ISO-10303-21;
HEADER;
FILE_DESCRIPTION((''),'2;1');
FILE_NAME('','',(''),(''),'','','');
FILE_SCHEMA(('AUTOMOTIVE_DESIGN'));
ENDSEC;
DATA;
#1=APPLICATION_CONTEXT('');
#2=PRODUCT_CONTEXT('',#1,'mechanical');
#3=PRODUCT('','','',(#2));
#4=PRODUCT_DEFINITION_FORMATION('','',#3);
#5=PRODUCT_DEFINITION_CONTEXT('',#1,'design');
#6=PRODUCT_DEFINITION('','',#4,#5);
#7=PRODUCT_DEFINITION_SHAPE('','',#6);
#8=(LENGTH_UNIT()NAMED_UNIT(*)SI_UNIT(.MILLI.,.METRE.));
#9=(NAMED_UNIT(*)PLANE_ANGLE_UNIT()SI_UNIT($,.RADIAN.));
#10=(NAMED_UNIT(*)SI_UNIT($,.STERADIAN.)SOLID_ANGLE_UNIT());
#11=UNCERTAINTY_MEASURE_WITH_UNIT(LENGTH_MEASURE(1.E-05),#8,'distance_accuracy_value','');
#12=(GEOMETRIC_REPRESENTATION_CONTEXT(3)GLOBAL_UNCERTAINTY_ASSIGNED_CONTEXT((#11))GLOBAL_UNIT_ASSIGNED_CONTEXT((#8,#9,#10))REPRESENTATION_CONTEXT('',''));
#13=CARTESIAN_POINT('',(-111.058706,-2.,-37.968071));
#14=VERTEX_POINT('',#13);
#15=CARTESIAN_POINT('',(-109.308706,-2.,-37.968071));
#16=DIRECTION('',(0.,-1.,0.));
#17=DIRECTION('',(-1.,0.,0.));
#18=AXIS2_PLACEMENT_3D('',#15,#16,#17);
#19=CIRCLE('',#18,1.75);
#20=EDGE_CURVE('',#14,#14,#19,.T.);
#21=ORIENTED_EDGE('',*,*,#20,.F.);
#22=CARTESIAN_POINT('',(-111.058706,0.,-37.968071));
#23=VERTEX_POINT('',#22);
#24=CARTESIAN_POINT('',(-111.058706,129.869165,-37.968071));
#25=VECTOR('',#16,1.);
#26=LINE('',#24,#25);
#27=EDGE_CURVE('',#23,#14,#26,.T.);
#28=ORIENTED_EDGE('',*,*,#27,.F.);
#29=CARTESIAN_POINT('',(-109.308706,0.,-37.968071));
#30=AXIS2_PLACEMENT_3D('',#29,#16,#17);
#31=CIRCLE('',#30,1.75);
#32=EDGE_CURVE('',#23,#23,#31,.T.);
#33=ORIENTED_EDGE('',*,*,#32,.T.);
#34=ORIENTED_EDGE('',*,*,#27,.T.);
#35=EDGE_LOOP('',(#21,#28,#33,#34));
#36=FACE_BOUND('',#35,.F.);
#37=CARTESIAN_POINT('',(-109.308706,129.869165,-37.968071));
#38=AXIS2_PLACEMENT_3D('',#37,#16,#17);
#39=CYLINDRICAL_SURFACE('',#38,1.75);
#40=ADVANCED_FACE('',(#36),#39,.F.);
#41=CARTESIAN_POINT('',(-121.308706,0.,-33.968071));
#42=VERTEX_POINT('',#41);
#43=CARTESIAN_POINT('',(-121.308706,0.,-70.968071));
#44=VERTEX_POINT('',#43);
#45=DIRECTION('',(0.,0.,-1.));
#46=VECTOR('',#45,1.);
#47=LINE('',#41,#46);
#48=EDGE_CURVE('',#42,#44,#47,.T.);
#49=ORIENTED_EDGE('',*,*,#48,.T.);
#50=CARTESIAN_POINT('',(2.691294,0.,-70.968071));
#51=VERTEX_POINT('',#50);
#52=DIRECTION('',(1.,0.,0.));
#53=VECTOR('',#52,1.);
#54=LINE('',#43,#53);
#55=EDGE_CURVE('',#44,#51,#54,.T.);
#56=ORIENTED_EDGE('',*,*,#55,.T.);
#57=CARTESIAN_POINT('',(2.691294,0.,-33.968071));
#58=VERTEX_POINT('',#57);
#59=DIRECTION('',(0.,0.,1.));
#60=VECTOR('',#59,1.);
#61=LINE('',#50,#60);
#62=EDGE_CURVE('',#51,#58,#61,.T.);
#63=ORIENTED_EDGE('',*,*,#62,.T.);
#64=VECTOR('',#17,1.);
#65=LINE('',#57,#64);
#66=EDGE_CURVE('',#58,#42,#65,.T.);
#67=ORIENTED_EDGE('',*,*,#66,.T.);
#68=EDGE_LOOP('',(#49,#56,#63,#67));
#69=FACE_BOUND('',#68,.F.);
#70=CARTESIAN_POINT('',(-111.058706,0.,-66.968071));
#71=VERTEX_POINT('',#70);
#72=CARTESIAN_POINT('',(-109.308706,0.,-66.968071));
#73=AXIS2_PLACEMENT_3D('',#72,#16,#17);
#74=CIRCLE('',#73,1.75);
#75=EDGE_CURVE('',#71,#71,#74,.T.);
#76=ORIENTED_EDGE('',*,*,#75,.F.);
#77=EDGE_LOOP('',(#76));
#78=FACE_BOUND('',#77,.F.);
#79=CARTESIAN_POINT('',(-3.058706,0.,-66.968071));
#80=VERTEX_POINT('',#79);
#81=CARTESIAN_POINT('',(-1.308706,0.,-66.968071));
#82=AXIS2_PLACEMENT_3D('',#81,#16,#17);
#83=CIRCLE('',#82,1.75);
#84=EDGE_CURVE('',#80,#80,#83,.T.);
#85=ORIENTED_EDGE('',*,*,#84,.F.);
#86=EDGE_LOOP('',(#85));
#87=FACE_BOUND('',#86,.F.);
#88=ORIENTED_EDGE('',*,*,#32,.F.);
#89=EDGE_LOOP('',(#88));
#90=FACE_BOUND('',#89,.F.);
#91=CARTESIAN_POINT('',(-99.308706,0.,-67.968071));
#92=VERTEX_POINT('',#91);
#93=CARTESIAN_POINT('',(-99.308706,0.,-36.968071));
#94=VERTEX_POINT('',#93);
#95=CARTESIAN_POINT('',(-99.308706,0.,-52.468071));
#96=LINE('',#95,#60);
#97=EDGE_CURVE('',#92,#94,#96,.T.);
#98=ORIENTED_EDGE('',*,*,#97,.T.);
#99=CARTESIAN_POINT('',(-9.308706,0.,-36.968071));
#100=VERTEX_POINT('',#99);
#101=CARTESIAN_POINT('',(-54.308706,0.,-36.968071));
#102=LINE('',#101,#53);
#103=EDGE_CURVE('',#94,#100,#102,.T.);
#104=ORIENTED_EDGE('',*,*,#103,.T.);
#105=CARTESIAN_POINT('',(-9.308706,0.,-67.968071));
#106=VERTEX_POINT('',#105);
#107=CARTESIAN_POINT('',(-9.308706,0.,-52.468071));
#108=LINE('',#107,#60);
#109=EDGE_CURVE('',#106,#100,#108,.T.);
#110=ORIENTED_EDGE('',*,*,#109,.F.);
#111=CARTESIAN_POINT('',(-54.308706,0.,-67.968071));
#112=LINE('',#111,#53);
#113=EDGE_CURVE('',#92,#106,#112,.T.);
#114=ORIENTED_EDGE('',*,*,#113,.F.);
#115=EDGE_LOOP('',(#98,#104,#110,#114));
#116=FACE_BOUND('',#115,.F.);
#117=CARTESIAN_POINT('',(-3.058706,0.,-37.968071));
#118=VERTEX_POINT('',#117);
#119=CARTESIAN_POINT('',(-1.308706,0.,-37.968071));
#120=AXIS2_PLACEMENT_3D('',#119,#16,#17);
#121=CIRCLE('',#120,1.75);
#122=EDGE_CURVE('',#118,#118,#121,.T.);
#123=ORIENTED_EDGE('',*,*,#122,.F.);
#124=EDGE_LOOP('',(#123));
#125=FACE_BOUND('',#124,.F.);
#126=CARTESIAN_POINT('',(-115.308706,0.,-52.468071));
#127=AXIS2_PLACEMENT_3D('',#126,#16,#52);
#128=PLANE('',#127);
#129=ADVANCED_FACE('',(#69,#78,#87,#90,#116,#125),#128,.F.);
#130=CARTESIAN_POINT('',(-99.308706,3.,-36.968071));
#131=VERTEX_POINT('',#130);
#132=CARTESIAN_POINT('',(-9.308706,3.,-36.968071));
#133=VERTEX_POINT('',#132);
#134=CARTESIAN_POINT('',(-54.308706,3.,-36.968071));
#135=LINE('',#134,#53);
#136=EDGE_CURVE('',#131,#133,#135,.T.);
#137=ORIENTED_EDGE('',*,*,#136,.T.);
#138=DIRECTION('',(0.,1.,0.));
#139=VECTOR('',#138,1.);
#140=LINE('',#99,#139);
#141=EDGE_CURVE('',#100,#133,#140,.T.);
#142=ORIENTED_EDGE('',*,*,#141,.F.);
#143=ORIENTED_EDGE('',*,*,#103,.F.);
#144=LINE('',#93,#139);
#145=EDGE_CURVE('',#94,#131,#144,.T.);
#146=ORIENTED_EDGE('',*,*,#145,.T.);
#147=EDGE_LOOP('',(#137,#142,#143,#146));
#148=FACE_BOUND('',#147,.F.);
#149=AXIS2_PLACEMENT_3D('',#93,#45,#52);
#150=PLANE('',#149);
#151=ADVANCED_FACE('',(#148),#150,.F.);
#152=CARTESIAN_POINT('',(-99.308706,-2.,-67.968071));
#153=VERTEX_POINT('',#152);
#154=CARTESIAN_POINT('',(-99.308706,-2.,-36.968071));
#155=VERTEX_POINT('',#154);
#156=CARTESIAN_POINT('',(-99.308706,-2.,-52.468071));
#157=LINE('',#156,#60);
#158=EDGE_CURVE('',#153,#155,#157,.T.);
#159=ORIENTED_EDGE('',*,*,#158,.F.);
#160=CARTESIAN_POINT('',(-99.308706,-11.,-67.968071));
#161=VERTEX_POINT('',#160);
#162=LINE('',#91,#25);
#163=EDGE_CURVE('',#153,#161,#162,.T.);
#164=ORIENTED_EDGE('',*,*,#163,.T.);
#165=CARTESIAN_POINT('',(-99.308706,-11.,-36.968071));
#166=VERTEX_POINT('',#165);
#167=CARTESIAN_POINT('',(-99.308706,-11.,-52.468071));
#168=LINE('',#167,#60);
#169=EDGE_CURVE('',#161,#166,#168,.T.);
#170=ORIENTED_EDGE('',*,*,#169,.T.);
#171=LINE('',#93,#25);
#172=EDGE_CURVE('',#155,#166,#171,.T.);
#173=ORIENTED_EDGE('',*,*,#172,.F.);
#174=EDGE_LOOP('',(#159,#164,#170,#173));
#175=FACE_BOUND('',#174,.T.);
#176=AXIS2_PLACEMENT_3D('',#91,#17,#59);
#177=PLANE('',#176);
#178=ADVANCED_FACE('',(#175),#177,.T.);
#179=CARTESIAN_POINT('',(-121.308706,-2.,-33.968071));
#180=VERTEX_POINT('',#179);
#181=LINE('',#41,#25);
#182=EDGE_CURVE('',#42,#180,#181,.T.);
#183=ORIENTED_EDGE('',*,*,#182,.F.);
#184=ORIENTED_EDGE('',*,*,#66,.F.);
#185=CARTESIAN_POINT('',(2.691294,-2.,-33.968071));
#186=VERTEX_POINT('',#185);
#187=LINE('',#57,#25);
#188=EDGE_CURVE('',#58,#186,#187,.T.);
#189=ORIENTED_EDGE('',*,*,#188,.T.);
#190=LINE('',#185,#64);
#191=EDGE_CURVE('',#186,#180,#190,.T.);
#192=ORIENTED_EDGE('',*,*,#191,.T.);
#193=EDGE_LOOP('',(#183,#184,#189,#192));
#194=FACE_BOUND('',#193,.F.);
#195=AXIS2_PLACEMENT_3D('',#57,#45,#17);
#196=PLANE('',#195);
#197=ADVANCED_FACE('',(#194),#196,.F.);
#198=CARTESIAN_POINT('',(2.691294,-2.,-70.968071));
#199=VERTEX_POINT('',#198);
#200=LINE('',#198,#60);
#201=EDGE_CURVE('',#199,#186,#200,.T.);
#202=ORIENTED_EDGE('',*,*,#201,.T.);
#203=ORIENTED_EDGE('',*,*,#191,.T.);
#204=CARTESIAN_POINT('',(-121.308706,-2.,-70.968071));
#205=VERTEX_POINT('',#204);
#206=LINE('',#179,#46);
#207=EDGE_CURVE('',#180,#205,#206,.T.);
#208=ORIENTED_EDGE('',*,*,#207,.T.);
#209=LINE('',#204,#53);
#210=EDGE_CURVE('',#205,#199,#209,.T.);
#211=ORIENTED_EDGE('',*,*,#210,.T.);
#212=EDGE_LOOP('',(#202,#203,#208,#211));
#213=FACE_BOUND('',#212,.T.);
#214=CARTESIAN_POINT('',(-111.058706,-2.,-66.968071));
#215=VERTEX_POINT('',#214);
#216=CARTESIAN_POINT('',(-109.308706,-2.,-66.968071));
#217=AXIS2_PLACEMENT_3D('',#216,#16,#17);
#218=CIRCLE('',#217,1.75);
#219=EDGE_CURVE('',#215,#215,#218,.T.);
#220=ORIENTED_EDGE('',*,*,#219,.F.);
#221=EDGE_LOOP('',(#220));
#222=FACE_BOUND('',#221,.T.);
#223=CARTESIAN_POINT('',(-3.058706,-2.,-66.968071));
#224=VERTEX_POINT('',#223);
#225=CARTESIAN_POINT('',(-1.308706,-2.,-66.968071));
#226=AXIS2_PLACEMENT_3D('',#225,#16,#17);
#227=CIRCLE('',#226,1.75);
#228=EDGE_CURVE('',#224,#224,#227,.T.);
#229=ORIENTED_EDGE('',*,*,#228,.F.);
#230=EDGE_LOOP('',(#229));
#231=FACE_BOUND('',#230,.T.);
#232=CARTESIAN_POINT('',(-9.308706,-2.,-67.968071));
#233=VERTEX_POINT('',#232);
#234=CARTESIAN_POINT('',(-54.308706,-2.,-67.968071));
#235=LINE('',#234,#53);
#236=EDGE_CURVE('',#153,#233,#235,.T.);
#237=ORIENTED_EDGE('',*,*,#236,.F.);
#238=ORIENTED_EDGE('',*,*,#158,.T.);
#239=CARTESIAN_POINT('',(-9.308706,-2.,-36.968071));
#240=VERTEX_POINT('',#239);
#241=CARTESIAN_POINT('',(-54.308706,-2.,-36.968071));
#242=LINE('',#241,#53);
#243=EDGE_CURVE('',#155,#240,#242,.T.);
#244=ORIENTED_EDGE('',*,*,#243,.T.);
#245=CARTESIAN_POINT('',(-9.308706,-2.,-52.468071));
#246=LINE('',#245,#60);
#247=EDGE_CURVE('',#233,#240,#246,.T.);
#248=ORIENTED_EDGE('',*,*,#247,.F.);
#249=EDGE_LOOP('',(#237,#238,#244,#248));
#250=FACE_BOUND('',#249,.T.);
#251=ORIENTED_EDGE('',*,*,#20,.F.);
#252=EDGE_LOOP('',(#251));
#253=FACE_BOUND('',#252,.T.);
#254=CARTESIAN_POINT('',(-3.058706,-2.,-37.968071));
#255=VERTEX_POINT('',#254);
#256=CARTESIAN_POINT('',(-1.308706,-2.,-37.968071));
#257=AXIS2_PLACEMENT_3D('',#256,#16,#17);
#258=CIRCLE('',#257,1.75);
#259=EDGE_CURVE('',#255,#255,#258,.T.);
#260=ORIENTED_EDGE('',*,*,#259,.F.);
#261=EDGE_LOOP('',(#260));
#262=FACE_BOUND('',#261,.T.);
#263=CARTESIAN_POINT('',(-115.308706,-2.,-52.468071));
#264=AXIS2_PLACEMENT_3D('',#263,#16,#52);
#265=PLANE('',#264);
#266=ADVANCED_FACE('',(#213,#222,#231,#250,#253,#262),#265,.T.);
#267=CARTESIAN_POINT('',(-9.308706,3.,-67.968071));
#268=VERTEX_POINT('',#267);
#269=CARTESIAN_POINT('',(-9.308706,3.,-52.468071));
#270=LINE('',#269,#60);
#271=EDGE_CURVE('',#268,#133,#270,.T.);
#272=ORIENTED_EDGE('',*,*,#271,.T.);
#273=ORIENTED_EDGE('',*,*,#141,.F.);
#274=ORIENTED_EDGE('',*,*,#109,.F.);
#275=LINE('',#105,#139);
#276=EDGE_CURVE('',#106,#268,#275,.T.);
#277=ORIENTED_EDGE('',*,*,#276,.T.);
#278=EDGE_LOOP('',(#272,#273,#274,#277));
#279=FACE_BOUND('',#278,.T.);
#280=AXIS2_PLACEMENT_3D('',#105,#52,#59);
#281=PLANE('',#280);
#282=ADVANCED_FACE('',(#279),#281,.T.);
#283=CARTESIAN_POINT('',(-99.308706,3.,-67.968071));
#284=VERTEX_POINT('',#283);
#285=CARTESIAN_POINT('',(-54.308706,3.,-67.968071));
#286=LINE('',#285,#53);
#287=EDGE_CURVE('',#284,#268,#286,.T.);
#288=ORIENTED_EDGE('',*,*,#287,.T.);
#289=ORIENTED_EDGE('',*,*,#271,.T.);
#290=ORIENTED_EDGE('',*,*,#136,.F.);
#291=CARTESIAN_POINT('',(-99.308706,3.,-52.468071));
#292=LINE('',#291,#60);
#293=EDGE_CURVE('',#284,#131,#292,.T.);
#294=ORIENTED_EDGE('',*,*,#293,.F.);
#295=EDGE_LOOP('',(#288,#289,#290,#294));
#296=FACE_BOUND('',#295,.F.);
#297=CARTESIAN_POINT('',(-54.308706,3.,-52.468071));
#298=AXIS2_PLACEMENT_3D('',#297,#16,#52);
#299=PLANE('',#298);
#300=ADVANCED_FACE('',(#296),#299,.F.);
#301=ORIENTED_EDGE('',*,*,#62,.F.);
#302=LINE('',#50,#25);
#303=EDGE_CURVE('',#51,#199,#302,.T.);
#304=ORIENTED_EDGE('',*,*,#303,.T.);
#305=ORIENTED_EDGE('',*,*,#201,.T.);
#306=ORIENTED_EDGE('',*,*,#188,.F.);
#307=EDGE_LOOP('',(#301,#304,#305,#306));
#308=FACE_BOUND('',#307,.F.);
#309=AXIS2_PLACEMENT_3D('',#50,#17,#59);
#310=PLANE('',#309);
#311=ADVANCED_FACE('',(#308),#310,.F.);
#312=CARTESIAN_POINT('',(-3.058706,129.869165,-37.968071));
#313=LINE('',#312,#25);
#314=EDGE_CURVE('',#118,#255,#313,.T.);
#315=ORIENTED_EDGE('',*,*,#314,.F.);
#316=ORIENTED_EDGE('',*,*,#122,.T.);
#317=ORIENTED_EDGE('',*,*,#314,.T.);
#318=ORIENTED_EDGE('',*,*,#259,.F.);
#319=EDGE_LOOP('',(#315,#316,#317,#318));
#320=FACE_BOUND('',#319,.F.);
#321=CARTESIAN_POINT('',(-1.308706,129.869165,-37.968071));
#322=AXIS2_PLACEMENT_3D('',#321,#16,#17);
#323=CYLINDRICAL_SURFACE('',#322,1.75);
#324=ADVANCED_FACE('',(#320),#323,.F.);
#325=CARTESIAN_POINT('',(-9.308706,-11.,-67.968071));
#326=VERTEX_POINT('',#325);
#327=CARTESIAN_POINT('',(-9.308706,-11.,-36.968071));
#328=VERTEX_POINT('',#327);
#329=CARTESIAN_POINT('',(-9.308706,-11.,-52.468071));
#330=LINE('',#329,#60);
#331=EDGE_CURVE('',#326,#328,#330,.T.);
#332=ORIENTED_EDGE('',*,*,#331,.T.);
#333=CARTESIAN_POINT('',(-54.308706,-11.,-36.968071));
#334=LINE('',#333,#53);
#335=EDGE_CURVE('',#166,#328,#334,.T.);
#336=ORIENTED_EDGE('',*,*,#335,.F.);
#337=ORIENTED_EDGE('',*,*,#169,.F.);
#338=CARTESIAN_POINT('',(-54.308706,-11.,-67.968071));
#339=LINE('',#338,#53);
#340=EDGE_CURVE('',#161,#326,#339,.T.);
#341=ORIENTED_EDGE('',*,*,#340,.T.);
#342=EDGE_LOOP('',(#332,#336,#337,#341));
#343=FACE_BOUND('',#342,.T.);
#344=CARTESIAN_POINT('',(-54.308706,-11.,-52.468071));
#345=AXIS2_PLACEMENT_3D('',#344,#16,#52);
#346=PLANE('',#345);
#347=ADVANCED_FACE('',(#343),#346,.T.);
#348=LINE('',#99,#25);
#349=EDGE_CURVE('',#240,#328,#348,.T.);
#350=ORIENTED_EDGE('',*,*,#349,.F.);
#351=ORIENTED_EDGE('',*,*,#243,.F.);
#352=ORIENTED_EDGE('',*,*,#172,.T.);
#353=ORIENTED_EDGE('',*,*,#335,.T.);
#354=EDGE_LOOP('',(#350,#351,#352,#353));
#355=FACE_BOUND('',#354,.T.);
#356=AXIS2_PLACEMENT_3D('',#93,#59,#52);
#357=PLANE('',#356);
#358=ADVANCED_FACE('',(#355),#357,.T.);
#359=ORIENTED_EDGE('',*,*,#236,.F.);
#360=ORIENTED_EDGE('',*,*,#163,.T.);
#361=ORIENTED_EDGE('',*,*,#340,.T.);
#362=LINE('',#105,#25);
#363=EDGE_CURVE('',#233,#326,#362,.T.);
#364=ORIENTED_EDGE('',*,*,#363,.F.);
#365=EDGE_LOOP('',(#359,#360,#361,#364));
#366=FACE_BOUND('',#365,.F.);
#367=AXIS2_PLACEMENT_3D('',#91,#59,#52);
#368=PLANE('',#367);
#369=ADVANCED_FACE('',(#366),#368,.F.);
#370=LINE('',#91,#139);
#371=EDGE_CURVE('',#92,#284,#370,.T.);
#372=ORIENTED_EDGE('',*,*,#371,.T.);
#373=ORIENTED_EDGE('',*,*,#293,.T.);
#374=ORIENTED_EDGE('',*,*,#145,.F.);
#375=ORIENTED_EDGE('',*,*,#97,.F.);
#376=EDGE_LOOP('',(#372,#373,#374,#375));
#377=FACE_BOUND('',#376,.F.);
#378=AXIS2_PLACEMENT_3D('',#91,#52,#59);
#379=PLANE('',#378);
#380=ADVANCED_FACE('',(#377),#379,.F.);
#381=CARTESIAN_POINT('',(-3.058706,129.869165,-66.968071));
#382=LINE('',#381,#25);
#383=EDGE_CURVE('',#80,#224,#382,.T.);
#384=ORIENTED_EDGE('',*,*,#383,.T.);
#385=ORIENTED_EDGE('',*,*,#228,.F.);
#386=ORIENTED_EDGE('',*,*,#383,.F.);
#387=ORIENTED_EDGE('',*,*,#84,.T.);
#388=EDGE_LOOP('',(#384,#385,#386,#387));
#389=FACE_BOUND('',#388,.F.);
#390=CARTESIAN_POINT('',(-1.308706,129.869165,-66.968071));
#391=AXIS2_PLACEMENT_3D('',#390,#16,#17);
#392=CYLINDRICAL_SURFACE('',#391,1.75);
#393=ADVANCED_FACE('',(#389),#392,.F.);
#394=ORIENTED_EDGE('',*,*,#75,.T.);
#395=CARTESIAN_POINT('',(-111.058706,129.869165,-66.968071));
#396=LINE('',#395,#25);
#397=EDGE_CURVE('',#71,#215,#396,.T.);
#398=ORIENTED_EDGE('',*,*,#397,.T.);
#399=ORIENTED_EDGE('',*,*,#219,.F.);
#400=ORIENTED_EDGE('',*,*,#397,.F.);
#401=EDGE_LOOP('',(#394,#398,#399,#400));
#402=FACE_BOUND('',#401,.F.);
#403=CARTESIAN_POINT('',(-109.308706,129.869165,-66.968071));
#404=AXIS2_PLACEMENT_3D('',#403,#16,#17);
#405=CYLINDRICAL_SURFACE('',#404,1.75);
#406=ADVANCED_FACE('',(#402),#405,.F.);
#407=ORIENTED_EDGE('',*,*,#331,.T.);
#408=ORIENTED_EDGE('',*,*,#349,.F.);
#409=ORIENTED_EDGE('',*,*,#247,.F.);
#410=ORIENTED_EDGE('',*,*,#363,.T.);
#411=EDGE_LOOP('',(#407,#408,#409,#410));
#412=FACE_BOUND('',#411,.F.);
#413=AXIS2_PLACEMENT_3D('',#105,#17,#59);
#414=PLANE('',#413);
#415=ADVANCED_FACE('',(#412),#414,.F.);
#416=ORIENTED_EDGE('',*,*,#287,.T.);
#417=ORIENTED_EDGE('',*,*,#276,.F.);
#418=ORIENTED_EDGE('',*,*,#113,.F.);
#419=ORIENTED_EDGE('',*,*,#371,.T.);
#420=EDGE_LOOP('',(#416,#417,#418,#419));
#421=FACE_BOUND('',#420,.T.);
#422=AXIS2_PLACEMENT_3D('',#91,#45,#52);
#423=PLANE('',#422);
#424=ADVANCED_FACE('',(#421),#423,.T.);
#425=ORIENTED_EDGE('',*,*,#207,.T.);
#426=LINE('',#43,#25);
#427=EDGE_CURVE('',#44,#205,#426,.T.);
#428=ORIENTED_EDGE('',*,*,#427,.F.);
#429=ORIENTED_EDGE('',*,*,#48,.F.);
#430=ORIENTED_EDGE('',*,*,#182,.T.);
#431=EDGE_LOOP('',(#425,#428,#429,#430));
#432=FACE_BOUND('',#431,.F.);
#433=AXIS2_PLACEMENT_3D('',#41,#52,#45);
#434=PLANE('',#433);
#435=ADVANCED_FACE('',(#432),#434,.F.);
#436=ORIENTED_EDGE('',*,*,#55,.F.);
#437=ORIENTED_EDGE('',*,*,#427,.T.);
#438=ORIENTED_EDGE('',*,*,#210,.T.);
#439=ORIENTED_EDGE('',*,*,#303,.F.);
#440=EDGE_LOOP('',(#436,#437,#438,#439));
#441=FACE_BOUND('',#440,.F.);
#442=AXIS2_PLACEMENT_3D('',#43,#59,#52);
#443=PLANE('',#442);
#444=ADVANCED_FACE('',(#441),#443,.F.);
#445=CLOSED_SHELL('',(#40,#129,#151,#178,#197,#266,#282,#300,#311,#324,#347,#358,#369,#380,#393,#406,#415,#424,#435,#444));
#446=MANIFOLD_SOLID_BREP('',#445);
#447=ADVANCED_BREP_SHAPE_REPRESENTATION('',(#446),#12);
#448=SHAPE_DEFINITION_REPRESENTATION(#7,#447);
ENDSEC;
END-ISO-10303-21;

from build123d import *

# Parameters (mm, degrees)
F0_W     = 12
F0_H     = 29
F0_H_2   = 4
F0_W_2   = 90
F0_H_3   = 31
F0_W_3   = 4
F1_DEPTH = 2
F2_DEPTH = 11
F3_D     = 3.5
F4_DEPTH = 3


with BuildPart() as f1:
    # F0 (on Front) → F1 (new body)
    with BuildSketch(Plane.XZ):
        with Locations((-115.3087058514, -52.4680708938)):
            Rectangle(F0_W, F0_H)
        with Locations((-115.3087058514, -35.9680708938)):
            Rectangle(F0_W, F0_H_2)
        Polygon((-109.3087058514, -66.9680708938), (-109.3087058514, -70.9680708938), (-1.3087058514, -70.9680708938), (-1.3087058514, -66.9680708938), (-1.3087058514, -37.9680708938), (-1.3087058514, -33.9680708938), (-109.3087058514, -33.9680708938), (-109.3087058514, -37.9680708938), align=None)
        with Locations((-54.3087058514, -52.4680708938)):
            Rectangle(F0_W_2, F0_H_3, mode=Mode.SUBTRACT)
        with Locations((-115.3087058514, -68.9680708938)):
            Rectangle(F0_W, F0_H_2)
        with Locations((0.6912941486, -35.9680708938)):
            Rectangle(F0_W_3, F0_H_2)
        with Locations((0.6912941486, -52.4680708938)):
            Rectangle(F0_W_3, F0_H)
        with Locations((0.6912941486, -68.9680708938)):
            Rectangle(F0_W_3, F0_H_2)
    extrude(amount=F1_DEPTH)

    # F0 (on Front) → F2 (join)
    with BuildSketch(Plane.XZ):
        with Locations((-54.3087058514, -52.4680708938)):
            Rectangle(F0_W_2, F0_H_3)
    extrude(amount=F2_DEPTH)

    # F3 (through all)
    with Locations(Plane(origin=(0, 0, 0), x_dir=(1, 0, 0), z_dir=(0, 1, 0))):
        with Locations((-109.3087058514, 37.9680708938), (-109.3087058514, 66.9680708938), (-1.3087058514, 37.9680708938), (-1.3087058514, 66.9680708938)):
            Hole(F3_D / 2)

    # F0 (on Front) → F4 (join)
    with BuildSketch(Plane.XZ):
        with Locations((-54.3087058514, -52.4680708938)):
            Rectangle(F0_W_2, F0_H_3)
    extrude(amount=-F4_DEPTH)


solid = f1.part
